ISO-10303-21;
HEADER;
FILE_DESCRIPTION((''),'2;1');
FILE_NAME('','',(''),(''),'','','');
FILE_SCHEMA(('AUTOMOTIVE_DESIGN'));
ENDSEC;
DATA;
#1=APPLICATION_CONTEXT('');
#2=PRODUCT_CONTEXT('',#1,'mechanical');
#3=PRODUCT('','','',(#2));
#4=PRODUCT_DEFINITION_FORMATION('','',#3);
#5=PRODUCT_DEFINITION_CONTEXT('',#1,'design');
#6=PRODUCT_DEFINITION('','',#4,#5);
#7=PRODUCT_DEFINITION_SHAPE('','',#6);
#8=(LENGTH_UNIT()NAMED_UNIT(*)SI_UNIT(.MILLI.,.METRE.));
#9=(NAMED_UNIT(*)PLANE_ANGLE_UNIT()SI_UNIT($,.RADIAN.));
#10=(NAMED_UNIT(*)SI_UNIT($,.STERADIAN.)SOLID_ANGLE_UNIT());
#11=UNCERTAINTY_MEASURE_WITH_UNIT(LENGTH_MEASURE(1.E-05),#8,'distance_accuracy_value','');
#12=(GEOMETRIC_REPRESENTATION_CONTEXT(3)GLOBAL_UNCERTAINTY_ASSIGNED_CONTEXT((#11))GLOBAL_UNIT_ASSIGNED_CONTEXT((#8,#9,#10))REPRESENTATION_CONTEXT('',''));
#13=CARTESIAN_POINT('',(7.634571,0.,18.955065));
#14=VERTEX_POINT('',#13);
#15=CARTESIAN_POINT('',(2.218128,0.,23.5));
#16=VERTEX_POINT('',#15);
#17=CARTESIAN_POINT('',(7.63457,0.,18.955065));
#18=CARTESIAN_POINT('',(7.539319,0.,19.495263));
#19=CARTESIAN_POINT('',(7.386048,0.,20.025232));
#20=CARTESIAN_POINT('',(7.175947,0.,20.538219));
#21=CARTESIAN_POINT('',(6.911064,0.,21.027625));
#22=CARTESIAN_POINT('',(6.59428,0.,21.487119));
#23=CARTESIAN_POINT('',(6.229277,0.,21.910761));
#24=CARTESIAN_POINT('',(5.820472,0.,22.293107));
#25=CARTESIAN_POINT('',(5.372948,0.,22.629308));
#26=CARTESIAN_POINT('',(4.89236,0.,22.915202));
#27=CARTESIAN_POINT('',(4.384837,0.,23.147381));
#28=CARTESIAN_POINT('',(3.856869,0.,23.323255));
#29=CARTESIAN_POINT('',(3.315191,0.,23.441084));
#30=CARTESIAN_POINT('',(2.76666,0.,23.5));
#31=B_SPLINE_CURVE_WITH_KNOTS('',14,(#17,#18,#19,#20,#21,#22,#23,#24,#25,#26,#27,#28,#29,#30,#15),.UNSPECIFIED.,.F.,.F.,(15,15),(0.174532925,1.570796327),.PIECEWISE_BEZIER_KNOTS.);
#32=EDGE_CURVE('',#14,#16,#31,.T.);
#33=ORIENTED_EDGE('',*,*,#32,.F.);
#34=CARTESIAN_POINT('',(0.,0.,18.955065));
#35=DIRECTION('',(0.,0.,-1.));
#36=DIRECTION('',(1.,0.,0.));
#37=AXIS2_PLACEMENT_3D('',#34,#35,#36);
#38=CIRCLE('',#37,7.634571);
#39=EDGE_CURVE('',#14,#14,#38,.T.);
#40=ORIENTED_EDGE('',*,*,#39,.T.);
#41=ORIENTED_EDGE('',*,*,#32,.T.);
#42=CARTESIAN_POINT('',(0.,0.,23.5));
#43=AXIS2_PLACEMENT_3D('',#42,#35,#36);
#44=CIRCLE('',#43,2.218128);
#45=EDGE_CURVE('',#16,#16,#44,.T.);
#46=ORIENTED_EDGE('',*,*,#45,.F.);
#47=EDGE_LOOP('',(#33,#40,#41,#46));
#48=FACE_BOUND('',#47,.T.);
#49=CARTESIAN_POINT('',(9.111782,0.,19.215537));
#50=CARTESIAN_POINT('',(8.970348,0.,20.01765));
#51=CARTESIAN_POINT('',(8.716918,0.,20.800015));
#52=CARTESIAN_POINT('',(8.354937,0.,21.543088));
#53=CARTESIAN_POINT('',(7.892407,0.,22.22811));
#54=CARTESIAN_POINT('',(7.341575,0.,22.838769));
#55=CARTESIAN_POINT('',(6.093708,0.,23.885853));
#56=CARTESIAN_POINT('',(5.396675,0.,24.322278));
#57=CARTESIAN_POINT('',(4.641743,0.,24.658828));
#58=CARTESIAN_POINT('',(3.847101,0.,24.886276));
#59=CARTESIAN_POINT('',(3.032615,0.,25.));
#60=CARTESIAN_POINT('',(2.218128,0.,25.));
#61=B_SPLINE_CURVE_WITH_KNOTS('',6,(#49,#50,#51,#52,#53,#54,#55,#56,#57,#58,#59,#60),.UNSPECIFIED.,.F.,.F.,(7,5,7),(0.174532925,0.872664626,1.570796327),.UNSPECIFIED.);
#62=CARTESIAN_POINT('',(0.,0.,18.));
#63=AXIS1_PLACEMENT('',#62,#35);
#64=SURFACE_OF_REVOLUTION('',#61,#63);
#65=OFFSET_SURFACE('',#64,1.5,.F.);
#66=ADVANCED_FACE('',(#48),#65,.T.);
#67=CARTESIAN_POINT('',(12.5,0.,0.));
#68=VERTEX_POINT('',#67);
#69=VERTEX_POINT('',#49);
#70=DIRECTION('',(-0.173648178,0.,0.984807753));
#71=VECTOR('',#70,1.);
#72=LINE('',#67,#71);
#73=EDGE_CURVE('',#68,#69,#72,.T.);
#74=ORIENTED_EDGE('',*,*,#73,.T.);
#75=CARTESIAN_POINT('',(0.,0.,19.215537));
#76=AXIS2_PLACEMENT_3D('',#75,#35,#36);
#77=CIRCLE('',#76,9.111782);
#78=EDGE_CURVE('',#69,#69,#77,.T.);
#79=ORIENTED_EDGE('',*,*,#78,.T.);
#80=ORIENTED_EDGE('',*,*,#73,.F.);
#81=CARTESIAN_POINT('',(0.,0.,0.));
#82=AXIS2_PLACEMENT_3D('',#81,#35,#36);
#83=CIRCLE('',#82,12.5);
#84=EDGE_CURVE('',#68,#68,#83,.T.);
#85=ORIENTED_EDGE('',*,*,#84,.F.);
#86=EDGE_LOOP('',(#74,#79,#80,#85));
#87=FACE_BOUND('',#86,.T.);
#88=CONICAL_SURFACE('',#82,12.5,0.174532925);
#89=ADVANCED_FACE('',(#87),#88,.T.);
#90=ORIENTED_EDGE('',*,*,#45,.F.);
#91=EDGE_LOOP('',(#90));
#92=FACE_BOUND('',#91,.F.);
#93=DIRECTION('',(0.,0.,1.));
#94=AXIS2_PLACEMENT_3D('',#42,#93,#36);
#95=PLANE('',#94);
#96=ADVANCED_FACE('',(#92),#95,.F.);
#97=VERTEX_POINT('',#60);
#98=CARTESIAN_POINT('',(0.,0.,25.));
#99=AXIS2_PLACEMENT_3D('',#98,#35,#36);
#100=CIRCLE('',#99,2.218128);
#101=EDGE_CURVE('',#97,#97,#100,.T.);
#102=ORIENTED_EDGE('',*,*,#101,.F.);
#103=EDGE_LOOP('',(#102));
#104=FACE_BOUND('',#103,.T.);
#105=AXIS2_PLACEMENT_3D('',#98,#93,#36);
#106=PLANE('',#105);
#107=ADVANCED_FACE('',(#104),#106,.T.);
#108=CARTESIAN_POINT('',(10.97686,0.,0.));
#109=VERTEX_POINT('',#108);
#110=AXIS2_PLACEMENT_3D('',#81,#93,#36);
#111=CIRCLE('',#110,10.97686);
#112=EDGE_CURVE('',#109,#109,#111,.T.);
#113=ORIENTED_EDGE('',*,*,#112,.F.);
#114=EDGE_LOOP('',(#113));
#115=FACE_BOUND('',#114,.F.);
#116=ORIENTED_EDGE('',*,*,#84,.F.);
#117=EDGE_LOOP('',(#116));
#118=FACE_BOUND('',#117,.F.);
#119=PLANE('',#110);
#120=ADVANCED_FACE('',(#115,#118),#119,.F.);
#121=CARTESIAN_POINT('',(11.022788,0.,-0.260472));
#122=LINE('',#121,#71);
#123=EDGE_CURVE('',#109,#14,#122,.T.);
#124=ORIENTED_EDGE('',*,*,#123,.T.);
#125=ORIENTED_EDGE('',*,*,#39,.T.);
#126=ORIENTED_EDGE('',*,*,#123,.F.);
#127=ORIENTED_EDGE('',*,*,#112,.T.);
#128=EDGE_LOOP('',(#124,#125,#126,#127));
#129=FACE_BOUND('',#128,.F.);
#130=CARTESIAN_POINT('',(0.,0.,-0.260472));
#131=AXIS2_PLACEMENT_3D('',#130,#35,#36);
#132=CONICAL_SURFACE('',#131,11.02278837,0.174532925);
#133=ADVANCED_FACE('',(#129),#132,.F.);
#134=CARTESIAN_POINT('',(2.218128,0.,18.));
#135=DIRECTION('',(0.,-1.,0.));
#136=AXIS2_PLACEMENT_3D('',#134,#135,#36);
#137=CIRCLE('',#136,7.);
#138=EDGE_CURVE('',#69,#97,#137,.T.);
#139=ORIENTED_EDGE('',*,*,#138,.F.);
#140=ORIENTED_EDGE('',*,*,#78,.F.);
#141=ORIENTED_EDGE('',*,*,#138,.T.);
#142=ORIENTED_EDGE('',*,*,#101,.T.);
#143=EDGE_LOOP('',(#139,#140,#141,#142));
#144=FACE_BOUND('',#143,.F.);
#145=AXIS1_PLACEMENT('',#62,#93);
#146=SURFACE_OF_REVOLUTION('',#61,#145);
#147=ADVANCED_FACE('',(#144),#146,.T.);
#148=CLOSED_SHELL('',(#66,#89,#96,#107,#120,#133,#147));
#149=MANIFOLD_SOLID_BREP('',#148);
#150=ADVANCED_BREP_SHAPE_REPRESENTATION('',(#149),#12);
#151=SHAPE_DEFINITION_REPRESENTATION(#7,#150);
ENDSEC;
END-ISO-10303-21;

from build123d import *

# Parameters (mm, degrees)
F0_R     = 12.5
F1_DEPTH = 25
F1_TAPER = 10
F2_R     = 7
F3_T     = -1.5


with BuildPart() as f1:
    # F0 (on Top) → F1 (new body)
    with BuildSketch(Plane.XY):
        Circle(F0_R)
    extrude(amount=F1_DEPTH, taper=F1_TAPER)

    # F2
    f2_edges = [f1.edges().sort_by_distance(p)[0] for p in [
        (-8.091825, 0, 25),
    ]]
    fillet(f2_edges, radius=F2_R)

    # F3
    f3_openings = [f1.faces().sort_by_distance(p)[0] for p in [
        (0, 0, 0),
    ]]
    offset(amount=F3_T, openings=f3_openings)


solid = f1.part
